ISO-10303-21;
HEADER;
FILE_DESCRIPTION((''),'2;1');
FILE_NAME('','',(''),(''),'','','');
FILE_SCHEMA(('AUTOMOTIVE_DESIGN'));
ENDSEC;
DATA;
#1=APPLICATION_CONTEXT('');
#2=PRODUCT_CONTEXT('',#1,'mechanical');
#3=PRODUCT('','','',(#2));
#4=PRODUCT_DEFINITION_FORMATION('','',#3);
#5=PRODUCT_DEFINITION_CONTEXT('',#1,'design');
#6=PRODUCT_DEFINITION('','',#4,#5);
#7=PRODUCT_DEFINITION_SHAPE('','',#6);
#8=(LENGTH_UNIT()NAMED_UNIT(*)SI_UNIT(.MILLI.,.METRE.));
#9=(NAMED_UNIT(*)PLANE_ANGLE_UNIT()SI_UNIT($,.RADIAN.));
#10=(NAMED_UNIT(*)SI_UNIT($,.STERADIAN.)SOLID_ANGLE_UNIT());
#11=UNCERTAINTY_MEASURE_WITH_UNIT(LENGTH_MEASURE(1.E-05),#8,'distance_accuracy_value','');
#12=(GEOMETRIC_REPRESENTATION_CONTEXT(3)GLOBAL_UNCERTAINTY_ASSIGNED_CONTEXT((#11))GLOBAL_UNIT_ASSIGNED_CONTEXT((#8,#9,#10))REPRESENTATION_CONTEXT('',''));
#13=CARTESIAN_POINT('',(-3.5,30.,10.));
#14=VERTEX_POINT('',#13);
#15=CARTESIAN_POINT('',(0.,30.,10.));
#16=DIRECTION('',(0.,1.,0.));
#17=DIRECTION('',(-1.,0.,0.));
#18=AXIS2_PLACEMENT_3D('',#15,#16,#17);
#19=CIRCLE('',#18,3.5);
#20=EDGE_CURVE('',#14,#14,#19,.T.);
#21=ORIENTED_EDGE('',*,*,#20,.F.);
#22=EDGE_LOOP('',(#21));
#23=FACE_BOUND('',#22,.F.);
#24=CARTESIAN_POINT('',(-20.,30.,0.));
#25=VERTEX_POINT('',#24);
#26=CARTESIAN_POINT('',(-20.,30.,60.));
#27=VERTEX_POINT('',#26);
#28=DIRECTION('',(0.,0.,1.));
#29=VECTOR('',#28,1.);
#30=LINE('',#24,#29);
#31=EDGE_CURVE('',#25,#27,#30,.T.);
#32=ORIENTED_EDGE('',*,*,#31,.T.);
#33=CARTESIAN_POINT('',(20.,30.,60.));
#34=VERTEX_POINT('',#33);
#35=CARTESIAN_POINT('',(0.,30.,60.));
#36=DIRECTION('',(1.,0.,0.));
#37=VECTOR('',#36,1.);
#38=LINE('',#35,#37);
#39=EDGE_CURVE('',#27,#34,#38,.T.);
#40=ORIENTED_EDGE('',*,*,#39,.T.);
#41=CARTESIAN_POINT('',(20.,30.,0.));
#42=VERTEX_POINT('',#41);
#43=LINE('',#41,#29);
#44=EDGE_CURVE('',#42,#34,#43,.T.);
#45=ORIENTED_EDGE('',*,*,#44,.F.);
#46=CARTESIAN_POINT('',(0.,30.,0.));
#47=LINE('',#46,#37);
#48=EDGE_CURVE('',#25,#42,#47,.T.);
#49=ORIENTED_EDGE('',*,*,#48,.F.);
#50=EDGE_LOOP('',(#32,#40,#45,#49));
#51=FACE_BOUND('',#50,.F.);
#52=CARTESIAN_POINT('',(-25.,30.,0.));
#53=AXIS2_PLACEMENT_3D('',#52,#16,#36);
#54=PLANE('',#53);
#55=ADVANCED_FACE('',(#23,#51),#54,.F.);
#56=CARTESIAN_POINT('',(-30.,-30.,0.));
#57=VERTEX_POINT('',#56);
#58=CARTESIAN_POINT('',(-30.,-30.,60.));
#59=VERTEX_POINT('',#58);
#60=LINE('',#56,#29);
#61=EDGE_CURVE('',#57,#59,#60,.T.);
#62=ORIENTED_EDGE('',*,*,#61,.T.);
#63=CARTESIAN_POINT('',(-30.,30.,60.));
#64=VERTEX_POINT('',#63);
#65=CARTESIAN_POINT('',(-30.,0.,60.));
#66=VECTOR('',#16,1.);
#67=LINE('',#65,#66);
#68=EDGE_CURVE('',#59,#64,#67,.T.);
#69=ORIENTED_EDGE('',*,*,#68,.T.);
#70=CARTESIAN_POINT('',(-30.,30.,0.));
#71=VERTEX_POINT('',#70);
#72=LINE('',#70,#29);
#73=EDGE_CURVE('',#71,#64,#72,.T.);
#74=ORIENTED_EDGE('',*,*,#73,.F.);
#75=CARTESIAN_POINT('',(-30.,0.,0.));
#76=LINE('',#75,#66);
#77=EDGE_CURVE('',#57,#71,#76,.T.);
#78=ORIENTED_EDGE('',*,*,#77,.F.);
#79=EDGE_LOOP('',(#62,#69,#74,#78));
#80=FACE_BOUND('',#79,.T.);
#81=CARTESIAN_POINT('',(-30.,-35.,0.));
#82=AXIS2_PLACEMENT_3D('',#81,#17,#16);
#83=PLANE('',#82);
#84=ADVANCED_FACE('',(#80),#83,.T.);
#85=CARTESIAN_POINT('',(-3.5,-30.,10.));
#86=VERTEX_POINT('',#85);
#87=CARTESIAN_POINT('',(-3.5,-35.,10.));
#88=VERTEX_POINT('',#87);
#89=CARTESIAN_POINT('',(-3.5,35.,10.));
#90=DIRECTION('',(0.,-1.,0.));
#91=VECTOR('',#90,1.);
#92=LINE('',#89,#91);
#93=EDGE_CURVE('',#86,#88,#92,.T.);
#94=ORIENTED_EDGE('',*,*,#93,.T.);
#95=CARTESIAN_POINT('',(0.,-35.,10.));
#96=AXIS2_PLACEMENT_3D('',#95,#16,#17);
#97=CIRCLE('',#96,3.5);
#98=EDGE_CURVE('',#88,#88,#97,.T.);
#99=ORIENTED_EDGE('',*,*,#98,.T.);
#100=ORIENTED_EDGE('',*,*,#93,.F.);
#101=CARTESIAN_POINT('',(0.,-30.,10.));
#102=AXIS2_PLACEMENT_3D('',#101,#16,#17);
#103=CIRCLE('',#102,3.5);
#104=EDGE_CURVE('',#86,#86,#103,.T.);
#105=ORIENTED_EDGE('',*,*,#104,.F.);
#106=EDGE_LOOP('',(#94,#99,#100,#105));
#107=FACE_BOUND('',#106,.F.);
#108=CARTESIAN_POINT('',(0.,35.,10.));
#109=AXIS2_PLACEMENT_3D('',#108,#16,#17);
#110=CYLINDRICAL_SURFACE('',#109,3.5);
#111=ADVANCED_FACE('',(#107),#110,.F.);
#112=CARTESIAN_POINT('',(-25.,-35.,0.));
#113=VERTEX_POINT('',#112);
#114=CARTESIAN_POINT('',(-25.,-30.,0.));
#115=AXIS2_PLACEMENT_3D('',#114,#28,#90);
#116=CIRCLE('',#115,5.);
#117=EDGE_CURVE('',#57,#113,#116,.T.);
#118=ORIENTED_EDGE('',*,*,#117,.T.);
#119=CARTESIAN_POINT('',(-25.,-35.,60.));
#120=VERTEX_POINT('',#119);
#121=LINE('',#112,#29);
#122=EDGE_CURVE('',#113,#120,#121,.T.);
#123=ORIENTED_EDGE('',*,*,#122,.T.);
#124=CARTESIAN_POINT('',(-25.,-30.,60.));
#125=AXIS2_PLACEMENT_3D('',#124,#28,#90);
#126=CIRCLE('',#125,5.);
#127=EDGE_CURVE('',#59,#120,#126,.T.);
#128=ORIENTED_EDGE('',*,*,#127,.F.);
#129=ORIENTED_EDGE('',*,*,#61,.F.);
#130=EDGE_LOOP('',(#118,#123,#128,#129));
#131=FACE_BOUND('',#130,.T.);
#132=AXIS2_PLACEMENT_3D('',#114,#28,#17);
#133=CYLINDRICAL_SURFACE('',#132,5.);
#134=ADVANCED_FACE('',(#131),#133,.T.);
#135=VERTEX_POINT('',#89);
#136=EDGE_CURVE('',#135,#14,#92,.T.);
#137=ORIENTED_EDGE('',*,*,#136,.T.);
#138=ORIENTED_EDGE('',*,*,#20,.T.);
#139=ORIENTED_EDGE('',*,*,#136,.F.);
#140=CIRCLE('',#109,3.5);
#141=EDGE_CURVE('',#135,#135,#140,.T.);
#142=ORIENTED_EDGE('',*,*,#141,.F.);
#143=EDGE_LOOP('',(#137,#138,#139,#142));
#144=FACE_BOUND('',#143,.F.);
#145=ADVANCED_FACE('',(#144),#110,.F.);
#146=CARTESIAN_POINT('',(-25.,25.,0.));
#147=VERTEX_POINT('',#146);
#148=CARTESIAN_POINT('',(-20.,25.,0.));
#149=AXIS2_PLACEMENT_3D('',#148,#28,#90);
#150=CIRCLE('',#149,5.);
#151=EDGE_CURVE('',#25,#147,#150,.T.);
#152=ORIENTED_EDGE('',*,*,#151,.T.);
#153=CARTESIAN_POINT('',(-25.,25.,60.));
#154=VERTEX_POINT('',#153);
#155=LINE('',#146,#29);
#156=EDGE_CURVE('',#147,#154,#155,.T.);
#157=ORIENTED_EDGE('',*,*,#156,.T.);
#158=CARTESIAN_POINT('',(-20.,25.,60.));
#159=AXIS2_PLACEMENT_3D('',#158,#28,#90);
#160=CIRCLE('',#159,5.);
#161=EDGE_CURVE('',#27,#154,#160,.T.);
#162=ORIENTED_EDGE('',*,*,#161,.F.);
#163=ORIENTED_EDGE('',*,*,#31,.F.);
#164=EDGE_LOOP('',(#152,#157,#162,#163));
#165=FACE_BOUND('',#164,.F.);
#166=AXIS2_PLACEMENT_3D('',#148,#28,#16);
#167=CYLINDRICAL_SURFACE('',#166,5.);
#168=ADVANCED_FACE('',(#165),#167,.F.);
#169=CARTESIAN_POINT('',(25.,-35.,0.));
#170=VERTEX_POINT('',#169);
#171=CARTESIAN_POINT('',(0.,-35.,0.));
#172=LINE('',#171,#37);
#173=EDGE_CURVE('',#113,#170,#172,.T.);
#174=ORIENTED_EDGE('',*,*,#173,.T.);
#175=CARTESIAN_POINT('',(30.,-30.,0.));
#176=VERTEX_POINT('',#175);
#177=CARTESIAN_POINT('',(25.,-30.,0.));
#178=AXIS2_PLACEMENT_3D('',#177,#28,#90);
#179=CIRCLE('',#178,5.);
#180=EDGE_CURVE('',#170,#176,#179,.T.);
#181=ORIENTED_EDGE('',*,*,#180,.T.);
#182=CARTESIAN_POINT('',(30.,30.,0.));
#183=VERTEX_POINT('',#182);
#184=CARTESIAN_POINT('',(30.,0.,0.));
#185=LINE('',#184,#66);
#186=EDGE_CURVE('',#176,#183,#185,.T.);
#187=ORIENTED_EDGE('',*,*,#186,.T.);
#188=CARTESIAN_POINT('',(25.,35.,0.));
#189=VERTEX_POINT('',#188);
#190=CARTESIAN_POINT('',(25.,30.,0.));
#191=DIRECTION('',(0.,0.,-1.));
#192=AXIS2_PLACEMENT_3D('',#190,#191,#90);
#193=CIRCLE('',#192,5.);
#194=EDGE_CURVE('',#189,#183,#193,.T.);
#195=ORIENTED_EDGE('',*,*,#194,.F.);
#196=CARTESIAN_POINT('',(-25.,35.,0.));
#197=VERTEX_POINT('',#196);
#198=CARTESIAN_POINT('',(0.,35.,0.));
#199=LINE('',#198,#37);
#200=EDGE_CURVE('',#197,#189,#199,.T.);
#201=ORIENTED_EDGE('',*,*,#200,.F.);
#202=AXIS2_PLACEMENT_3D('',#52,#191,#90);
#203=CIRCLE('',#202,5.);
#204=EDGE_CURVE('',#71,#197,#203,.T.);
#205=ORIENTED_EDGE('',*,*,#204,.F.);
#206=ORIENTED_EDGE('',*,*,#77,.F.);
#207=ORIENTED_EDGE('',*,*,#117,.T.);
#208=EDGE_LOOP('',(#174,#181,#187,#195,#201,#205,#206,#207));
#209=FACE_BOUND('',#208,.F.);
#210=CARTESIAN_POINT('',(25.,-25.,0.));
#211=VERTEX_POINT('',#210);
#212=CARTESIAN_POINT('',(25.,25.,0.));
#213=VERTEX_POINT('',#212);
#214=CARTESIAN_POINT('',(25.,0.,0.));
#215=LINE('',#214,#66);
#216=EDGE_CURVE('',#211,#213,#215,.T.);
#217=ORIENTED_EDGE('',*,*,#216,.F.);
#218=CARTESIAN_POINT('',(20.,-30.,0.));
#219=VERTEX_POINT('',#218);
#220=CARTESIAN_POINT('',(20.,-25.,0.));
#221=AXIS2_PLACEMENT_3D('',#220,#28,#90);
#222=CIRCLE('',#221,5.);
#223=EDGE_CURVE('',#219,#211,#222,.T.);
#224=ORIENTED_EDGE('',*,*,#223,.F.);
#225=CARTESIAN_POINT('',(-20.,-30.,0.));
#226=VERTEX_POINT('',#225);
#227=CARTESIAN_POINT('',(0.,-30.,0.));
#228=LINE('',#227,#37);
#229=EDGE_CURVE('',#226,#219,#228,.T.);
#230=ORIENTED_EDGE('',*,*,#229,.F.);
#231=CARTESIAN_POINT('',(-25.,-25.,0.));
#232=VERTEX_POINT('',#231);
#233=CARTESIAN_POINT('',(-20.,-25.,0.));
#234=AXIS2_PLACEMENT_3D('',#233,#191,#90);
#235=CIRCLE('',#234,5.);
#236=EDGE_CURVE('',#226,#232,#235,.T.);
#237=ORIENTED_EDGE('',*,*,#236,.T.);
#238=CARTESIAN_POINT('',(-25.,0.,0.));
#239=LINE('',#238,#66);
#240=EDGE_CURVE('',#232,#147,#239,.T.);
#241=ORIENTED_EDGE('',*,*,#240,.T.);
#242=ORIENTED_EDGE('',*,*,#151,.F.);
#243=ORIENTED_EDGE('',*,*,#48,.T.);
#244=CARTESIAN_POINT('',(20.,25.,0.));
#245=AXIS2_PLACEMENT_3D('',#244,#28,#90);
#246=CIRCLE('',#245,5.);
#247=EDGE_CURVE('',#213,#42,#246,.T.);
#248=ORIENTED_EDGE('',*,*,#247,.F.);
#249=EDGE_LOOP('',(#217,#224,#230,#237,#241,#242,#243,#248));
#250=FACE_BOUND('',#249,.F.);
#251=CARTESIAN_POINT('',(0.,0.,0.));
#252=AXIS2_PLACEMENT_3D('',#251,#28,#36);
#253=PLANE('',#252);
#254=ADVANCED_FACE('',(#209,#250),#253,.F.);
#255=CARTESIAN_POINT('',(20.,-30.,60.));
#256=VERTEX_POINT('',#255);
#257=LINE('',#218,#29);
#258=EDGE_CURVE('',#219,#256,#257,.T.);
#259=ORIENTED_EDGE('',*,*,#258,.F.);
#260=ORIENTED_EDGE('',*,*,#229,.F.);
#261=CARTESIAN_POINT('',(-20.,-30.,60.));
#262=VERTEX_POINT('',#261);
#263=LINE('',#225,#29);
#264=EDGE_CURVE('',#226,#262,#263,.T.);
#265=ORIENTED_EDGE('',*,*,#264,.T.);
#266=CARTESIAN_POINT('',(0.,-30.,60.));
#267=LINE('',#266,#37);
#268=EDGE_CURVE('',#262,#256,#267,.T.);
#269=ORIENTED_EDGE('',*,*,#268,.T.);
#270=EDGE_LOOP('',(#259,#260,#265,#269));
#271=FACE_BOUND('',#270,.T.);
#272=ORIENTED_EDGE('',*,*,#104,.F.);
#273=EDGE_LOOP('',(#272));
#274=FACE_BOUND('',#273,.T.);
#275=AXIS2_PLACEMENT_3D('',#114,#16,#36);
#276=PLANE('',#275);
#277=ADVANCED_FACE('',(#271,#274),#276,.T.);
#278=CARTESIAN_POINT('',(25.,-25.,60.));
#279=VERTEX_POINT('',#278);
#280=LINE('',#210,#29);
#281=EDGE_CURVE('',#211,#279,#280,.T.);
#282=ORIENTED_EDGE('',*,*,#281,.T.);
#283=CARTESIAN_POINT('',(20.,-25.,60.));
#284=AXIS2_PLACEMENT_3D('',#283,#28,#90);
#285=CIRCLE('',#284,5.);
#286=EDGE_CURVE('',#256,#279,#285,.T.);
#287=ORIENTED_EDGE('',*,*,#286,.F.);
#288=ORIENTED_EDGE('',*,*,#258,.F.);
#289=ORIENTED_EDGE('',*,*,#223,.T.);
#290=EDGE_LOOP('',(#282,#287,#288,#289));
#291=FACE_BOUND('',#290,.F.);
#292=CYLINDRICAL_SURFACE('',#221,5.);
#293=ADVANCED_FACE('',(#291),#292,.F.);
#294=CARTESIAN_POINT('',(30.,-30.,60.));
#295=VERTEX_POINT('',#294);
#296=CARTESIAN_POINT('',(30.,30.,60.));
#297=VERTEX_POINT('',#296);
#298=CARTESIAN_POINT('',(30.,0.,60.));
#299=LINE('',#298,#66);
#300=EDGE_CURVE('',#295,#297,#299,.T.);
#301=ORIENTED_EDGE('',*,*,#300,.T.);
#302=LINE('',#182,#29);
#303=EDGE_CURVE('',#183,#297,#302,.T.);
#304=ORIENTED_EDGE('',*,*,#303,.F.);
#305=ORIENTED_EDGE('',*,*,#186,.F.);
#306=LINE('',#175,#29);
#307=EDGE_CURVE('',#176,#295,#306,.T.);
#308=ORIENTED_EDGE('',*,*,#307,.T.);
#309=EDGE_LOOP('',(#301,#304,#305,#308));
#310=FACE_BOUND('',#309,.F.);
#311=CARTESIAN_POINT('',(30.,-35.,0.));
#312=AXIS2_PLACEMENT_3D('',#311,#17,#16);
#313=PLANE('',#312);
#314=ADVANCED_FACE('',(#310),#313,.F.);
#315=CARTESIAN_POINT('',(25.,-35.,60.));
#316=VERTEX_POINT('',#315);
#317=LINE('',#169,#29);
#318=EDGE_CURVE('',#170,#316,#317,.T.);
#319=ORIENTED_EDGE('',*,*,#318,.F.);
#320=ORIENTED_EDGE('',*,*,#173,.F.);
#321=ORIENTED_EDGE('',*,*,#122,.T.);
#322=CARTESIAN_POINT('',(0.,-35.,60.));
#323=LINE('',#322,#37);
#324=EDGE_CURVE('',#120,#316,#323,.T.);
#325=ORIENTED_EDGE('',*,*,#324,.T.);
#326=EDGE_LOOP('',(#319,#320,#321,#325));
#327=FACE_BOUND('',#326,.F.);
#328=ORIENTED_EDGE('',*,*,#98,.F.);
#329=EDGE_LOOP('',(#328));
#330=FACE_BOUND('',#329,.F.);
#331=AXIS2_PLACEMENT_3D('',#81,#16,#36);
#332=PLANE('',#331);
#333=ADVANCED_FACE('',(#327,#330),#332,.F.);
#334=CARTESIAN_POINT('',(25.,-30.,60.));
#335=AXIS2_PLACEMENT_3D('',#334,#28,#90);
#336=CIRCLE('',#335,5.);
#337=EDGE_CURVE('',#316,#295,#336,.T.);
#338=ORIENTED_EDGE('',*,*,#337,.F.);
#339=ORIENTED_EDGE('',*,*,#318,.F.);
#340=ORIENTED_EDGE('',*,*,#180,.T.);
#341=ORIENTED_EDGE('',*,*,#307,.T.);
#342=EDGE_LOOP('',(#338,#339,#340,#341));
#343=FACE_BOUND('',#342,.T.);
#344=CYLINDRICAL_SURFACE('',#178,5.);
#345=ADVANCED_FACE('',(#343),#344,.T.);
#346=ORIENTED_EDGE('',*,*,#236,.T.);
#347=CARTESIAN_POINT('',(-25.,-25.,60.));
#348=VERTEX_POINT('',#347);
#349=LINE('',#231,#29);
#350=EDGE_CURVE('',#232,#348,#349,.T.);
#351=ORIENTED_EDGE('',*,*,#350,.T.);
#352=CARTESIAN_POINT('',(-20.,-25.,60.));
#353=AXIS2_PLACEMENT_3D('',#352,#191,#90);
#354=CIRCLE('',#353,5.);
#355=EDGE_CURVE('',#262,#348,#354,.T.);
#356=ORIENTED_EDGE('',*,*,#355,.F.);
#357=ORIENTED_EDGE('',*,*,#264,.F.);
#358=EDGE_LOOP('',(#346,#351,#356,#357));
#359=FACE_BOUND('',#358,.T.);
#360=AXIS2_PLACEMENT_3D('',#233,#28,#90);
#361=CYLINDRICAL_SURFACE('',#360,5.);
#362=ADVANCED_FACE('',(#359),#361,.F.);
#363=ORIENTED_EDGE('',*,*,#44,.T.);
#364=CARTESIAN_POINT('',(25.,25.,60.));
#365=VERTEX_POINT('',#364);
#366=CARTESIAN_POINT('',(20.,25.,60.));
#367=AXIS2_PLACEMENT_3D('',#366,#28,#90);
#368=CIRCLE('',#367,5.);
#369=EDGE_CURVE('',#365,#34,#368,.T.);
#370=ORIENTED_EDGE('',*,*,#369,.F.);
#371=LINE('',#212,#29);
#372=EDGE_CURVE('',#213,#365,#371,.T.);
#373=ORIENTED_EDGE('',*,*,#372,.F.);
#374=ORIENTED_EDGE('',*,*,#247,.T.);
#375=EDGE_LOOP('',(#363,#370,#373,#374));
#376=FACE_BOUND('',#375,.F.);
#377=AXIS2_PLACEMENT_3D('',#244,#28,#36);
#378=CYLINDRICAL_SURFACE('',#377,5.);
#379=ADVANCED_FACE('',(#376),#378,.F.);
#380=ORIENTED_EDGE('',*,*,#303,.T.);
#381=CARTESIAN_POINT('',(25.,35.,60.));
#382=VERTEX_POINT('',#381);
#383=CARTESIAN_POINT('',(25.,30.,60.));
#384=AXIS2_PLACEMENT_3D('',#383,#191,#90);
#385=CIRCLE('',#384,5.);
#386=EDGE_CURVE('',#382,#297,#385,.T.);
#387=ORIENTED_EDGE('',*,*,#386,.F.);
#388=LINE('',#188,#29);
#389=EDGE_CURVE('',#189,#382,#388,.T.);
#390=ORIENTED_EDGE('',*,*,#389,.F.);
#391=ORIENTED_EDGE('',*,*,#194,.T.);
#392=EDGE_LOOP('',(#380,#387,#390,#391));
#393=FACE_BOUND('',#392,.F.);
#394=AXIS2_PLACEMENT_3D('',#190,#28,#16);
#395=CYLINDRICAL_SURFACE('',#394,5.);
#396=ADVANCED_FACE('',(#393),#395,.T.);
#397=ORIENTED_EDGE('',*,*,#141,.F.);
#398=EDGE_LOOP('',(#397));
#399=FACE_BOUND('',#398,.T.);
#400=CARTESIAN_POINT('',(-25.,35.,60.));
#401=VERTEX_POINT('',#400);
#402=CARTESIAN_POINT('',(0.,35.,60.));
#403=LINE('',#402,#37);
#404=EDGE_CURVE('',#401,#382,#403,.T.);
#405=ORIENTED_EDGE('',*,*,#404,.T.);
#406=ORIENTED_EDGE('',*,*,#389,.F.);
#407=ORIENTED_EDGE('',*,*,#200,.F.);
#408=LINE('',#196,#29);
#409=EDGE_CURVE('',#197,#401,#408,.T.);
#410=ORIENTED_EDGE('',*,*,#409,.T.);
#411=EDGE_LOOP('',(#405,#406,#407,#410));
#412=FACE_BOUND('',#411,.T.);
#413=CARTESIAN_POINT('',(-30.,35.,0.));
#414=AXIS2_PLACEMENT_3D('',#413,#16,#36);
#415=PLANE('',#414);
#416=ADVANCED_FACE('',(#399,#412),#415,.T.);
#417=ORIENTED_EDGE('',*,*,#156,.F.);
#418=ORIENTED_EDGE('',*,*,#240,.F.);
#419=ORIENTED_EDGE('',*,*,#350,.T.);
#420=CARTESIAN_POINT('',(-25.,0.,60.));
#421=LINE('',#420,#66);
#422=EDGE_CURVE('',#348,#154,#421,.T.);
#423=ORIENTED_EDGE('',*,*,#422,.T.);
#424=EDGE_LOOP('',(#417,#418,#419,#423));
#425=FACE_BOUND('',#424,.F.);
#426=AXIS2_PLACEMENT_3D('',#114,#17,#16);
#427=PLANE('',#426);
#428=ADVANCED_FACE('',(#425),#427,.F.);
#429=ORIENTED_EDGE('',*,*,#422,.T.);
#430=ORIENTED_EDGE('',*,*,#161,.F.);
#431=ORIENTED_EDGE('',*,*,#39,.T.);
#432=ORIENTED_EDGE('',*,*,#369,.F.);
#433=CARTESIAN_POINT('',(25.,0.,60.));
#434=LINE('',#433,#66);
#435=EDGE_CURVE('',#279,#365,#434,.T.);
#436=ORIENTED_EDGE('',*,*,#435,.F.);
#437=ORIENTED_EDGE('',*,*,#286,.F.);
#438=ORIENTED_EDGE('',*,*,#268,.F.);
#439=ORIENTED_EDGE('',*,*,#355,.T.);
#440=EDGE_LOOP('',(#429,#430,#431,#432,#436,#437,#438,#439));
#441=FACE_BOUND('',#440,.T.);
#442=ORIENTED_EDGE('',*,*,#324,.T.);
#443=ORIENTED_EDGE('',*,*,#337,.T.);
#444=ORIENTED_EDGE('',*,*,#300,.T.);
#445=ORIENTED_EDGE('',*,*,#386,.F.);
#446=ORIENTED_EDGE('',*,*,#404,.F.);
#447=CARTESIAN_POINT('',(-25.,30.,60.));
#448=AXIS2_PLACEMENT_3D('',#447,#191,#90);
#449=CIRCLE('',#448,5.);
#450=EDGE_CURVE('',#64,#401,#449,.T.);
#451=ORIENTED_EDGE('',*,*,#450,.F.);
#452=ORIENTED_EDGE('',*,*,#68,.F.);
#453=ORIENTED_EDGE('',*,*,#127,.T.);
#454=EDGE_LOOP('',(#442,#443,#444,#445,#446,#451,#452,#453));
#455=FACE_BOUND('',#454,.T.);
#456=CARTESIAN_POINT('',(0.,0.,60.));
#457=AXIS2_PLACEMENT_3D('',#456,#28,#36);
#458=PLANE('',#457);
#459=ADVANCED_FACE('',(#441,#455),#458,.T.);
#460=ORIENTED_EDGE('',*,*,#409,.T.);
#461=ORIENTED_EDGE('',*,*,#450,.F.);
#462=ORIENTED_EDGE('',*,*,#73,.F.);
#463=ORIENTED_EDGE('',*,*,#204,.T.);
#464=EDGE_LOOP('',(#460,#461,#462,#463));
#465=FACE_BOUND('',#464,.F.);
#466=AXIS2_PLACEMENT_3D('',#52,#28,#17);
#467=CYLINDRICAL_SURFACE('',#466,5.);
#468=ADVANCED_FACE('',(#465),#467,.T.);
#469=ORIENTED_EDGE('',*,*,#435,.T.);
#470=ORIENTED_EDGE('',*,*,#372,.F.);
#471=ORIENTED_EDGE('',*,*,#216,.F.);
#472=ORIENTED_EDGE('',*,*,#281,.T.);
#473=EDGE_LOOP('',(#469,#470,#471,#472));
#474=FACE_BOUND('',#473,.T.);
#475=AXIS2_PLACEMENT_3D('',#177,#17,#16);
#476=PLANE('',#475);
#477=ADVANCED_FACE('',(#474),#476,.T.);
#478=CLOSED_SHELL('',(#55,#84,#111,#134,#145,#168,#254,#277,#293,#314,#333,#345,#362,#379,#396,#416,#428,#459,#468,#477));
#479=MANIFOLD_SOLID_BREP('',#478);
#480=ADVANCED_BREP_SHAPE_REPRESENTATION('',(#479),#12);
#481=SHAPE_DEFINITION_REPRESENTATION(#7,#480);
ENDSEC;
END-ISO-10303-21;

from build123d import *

# Parameters (mm, degrees)
F0_W     = 60
F0_H     = 70
F0_W_2   = 50
F0_H_2   = 60
F1_DEPTH = 60
F2_R     = 5
F3_R     = 3.5
F4_DEPTH = 70


with BuildPart() as f1:
    # F0 (on Top) → F1 (new body)
    with BuildSketch(Plane.XY):
        Rectangle(F0_W, F0_H)
        Rectangle(F0_W_2, F0_H_2, mode=Mode.SUBTRACT)
    extrude(amount=F1_DEPTH)

    # F2
    f2_edges = [f1.edges().sort_by_distance(p)[0] for p in [
        (-30, 35, 30),
        (-30, -35, 30),
        (30, -35, 30),
        (30, 35, 30),
        (-25, -30, 30),
        (25, -30, 30),
        (25, 30, 30),
        (-25, 30, 30),
    ]]
    fillet(f2_edges, radius=F2_R)

    # F3 (on face) → F4 (cut)
    with BuildSketch(Plane(origin=(0, 35, 0), x_dir=(-1, 0, 0), z_dir=(0, 1, 0))):
        with Locations((0, 10)):
            Circle(F3_R)
    extrude(amount=-F4_DEPTH, mode=Mode.SUBTRACT)


solid = f1.part
